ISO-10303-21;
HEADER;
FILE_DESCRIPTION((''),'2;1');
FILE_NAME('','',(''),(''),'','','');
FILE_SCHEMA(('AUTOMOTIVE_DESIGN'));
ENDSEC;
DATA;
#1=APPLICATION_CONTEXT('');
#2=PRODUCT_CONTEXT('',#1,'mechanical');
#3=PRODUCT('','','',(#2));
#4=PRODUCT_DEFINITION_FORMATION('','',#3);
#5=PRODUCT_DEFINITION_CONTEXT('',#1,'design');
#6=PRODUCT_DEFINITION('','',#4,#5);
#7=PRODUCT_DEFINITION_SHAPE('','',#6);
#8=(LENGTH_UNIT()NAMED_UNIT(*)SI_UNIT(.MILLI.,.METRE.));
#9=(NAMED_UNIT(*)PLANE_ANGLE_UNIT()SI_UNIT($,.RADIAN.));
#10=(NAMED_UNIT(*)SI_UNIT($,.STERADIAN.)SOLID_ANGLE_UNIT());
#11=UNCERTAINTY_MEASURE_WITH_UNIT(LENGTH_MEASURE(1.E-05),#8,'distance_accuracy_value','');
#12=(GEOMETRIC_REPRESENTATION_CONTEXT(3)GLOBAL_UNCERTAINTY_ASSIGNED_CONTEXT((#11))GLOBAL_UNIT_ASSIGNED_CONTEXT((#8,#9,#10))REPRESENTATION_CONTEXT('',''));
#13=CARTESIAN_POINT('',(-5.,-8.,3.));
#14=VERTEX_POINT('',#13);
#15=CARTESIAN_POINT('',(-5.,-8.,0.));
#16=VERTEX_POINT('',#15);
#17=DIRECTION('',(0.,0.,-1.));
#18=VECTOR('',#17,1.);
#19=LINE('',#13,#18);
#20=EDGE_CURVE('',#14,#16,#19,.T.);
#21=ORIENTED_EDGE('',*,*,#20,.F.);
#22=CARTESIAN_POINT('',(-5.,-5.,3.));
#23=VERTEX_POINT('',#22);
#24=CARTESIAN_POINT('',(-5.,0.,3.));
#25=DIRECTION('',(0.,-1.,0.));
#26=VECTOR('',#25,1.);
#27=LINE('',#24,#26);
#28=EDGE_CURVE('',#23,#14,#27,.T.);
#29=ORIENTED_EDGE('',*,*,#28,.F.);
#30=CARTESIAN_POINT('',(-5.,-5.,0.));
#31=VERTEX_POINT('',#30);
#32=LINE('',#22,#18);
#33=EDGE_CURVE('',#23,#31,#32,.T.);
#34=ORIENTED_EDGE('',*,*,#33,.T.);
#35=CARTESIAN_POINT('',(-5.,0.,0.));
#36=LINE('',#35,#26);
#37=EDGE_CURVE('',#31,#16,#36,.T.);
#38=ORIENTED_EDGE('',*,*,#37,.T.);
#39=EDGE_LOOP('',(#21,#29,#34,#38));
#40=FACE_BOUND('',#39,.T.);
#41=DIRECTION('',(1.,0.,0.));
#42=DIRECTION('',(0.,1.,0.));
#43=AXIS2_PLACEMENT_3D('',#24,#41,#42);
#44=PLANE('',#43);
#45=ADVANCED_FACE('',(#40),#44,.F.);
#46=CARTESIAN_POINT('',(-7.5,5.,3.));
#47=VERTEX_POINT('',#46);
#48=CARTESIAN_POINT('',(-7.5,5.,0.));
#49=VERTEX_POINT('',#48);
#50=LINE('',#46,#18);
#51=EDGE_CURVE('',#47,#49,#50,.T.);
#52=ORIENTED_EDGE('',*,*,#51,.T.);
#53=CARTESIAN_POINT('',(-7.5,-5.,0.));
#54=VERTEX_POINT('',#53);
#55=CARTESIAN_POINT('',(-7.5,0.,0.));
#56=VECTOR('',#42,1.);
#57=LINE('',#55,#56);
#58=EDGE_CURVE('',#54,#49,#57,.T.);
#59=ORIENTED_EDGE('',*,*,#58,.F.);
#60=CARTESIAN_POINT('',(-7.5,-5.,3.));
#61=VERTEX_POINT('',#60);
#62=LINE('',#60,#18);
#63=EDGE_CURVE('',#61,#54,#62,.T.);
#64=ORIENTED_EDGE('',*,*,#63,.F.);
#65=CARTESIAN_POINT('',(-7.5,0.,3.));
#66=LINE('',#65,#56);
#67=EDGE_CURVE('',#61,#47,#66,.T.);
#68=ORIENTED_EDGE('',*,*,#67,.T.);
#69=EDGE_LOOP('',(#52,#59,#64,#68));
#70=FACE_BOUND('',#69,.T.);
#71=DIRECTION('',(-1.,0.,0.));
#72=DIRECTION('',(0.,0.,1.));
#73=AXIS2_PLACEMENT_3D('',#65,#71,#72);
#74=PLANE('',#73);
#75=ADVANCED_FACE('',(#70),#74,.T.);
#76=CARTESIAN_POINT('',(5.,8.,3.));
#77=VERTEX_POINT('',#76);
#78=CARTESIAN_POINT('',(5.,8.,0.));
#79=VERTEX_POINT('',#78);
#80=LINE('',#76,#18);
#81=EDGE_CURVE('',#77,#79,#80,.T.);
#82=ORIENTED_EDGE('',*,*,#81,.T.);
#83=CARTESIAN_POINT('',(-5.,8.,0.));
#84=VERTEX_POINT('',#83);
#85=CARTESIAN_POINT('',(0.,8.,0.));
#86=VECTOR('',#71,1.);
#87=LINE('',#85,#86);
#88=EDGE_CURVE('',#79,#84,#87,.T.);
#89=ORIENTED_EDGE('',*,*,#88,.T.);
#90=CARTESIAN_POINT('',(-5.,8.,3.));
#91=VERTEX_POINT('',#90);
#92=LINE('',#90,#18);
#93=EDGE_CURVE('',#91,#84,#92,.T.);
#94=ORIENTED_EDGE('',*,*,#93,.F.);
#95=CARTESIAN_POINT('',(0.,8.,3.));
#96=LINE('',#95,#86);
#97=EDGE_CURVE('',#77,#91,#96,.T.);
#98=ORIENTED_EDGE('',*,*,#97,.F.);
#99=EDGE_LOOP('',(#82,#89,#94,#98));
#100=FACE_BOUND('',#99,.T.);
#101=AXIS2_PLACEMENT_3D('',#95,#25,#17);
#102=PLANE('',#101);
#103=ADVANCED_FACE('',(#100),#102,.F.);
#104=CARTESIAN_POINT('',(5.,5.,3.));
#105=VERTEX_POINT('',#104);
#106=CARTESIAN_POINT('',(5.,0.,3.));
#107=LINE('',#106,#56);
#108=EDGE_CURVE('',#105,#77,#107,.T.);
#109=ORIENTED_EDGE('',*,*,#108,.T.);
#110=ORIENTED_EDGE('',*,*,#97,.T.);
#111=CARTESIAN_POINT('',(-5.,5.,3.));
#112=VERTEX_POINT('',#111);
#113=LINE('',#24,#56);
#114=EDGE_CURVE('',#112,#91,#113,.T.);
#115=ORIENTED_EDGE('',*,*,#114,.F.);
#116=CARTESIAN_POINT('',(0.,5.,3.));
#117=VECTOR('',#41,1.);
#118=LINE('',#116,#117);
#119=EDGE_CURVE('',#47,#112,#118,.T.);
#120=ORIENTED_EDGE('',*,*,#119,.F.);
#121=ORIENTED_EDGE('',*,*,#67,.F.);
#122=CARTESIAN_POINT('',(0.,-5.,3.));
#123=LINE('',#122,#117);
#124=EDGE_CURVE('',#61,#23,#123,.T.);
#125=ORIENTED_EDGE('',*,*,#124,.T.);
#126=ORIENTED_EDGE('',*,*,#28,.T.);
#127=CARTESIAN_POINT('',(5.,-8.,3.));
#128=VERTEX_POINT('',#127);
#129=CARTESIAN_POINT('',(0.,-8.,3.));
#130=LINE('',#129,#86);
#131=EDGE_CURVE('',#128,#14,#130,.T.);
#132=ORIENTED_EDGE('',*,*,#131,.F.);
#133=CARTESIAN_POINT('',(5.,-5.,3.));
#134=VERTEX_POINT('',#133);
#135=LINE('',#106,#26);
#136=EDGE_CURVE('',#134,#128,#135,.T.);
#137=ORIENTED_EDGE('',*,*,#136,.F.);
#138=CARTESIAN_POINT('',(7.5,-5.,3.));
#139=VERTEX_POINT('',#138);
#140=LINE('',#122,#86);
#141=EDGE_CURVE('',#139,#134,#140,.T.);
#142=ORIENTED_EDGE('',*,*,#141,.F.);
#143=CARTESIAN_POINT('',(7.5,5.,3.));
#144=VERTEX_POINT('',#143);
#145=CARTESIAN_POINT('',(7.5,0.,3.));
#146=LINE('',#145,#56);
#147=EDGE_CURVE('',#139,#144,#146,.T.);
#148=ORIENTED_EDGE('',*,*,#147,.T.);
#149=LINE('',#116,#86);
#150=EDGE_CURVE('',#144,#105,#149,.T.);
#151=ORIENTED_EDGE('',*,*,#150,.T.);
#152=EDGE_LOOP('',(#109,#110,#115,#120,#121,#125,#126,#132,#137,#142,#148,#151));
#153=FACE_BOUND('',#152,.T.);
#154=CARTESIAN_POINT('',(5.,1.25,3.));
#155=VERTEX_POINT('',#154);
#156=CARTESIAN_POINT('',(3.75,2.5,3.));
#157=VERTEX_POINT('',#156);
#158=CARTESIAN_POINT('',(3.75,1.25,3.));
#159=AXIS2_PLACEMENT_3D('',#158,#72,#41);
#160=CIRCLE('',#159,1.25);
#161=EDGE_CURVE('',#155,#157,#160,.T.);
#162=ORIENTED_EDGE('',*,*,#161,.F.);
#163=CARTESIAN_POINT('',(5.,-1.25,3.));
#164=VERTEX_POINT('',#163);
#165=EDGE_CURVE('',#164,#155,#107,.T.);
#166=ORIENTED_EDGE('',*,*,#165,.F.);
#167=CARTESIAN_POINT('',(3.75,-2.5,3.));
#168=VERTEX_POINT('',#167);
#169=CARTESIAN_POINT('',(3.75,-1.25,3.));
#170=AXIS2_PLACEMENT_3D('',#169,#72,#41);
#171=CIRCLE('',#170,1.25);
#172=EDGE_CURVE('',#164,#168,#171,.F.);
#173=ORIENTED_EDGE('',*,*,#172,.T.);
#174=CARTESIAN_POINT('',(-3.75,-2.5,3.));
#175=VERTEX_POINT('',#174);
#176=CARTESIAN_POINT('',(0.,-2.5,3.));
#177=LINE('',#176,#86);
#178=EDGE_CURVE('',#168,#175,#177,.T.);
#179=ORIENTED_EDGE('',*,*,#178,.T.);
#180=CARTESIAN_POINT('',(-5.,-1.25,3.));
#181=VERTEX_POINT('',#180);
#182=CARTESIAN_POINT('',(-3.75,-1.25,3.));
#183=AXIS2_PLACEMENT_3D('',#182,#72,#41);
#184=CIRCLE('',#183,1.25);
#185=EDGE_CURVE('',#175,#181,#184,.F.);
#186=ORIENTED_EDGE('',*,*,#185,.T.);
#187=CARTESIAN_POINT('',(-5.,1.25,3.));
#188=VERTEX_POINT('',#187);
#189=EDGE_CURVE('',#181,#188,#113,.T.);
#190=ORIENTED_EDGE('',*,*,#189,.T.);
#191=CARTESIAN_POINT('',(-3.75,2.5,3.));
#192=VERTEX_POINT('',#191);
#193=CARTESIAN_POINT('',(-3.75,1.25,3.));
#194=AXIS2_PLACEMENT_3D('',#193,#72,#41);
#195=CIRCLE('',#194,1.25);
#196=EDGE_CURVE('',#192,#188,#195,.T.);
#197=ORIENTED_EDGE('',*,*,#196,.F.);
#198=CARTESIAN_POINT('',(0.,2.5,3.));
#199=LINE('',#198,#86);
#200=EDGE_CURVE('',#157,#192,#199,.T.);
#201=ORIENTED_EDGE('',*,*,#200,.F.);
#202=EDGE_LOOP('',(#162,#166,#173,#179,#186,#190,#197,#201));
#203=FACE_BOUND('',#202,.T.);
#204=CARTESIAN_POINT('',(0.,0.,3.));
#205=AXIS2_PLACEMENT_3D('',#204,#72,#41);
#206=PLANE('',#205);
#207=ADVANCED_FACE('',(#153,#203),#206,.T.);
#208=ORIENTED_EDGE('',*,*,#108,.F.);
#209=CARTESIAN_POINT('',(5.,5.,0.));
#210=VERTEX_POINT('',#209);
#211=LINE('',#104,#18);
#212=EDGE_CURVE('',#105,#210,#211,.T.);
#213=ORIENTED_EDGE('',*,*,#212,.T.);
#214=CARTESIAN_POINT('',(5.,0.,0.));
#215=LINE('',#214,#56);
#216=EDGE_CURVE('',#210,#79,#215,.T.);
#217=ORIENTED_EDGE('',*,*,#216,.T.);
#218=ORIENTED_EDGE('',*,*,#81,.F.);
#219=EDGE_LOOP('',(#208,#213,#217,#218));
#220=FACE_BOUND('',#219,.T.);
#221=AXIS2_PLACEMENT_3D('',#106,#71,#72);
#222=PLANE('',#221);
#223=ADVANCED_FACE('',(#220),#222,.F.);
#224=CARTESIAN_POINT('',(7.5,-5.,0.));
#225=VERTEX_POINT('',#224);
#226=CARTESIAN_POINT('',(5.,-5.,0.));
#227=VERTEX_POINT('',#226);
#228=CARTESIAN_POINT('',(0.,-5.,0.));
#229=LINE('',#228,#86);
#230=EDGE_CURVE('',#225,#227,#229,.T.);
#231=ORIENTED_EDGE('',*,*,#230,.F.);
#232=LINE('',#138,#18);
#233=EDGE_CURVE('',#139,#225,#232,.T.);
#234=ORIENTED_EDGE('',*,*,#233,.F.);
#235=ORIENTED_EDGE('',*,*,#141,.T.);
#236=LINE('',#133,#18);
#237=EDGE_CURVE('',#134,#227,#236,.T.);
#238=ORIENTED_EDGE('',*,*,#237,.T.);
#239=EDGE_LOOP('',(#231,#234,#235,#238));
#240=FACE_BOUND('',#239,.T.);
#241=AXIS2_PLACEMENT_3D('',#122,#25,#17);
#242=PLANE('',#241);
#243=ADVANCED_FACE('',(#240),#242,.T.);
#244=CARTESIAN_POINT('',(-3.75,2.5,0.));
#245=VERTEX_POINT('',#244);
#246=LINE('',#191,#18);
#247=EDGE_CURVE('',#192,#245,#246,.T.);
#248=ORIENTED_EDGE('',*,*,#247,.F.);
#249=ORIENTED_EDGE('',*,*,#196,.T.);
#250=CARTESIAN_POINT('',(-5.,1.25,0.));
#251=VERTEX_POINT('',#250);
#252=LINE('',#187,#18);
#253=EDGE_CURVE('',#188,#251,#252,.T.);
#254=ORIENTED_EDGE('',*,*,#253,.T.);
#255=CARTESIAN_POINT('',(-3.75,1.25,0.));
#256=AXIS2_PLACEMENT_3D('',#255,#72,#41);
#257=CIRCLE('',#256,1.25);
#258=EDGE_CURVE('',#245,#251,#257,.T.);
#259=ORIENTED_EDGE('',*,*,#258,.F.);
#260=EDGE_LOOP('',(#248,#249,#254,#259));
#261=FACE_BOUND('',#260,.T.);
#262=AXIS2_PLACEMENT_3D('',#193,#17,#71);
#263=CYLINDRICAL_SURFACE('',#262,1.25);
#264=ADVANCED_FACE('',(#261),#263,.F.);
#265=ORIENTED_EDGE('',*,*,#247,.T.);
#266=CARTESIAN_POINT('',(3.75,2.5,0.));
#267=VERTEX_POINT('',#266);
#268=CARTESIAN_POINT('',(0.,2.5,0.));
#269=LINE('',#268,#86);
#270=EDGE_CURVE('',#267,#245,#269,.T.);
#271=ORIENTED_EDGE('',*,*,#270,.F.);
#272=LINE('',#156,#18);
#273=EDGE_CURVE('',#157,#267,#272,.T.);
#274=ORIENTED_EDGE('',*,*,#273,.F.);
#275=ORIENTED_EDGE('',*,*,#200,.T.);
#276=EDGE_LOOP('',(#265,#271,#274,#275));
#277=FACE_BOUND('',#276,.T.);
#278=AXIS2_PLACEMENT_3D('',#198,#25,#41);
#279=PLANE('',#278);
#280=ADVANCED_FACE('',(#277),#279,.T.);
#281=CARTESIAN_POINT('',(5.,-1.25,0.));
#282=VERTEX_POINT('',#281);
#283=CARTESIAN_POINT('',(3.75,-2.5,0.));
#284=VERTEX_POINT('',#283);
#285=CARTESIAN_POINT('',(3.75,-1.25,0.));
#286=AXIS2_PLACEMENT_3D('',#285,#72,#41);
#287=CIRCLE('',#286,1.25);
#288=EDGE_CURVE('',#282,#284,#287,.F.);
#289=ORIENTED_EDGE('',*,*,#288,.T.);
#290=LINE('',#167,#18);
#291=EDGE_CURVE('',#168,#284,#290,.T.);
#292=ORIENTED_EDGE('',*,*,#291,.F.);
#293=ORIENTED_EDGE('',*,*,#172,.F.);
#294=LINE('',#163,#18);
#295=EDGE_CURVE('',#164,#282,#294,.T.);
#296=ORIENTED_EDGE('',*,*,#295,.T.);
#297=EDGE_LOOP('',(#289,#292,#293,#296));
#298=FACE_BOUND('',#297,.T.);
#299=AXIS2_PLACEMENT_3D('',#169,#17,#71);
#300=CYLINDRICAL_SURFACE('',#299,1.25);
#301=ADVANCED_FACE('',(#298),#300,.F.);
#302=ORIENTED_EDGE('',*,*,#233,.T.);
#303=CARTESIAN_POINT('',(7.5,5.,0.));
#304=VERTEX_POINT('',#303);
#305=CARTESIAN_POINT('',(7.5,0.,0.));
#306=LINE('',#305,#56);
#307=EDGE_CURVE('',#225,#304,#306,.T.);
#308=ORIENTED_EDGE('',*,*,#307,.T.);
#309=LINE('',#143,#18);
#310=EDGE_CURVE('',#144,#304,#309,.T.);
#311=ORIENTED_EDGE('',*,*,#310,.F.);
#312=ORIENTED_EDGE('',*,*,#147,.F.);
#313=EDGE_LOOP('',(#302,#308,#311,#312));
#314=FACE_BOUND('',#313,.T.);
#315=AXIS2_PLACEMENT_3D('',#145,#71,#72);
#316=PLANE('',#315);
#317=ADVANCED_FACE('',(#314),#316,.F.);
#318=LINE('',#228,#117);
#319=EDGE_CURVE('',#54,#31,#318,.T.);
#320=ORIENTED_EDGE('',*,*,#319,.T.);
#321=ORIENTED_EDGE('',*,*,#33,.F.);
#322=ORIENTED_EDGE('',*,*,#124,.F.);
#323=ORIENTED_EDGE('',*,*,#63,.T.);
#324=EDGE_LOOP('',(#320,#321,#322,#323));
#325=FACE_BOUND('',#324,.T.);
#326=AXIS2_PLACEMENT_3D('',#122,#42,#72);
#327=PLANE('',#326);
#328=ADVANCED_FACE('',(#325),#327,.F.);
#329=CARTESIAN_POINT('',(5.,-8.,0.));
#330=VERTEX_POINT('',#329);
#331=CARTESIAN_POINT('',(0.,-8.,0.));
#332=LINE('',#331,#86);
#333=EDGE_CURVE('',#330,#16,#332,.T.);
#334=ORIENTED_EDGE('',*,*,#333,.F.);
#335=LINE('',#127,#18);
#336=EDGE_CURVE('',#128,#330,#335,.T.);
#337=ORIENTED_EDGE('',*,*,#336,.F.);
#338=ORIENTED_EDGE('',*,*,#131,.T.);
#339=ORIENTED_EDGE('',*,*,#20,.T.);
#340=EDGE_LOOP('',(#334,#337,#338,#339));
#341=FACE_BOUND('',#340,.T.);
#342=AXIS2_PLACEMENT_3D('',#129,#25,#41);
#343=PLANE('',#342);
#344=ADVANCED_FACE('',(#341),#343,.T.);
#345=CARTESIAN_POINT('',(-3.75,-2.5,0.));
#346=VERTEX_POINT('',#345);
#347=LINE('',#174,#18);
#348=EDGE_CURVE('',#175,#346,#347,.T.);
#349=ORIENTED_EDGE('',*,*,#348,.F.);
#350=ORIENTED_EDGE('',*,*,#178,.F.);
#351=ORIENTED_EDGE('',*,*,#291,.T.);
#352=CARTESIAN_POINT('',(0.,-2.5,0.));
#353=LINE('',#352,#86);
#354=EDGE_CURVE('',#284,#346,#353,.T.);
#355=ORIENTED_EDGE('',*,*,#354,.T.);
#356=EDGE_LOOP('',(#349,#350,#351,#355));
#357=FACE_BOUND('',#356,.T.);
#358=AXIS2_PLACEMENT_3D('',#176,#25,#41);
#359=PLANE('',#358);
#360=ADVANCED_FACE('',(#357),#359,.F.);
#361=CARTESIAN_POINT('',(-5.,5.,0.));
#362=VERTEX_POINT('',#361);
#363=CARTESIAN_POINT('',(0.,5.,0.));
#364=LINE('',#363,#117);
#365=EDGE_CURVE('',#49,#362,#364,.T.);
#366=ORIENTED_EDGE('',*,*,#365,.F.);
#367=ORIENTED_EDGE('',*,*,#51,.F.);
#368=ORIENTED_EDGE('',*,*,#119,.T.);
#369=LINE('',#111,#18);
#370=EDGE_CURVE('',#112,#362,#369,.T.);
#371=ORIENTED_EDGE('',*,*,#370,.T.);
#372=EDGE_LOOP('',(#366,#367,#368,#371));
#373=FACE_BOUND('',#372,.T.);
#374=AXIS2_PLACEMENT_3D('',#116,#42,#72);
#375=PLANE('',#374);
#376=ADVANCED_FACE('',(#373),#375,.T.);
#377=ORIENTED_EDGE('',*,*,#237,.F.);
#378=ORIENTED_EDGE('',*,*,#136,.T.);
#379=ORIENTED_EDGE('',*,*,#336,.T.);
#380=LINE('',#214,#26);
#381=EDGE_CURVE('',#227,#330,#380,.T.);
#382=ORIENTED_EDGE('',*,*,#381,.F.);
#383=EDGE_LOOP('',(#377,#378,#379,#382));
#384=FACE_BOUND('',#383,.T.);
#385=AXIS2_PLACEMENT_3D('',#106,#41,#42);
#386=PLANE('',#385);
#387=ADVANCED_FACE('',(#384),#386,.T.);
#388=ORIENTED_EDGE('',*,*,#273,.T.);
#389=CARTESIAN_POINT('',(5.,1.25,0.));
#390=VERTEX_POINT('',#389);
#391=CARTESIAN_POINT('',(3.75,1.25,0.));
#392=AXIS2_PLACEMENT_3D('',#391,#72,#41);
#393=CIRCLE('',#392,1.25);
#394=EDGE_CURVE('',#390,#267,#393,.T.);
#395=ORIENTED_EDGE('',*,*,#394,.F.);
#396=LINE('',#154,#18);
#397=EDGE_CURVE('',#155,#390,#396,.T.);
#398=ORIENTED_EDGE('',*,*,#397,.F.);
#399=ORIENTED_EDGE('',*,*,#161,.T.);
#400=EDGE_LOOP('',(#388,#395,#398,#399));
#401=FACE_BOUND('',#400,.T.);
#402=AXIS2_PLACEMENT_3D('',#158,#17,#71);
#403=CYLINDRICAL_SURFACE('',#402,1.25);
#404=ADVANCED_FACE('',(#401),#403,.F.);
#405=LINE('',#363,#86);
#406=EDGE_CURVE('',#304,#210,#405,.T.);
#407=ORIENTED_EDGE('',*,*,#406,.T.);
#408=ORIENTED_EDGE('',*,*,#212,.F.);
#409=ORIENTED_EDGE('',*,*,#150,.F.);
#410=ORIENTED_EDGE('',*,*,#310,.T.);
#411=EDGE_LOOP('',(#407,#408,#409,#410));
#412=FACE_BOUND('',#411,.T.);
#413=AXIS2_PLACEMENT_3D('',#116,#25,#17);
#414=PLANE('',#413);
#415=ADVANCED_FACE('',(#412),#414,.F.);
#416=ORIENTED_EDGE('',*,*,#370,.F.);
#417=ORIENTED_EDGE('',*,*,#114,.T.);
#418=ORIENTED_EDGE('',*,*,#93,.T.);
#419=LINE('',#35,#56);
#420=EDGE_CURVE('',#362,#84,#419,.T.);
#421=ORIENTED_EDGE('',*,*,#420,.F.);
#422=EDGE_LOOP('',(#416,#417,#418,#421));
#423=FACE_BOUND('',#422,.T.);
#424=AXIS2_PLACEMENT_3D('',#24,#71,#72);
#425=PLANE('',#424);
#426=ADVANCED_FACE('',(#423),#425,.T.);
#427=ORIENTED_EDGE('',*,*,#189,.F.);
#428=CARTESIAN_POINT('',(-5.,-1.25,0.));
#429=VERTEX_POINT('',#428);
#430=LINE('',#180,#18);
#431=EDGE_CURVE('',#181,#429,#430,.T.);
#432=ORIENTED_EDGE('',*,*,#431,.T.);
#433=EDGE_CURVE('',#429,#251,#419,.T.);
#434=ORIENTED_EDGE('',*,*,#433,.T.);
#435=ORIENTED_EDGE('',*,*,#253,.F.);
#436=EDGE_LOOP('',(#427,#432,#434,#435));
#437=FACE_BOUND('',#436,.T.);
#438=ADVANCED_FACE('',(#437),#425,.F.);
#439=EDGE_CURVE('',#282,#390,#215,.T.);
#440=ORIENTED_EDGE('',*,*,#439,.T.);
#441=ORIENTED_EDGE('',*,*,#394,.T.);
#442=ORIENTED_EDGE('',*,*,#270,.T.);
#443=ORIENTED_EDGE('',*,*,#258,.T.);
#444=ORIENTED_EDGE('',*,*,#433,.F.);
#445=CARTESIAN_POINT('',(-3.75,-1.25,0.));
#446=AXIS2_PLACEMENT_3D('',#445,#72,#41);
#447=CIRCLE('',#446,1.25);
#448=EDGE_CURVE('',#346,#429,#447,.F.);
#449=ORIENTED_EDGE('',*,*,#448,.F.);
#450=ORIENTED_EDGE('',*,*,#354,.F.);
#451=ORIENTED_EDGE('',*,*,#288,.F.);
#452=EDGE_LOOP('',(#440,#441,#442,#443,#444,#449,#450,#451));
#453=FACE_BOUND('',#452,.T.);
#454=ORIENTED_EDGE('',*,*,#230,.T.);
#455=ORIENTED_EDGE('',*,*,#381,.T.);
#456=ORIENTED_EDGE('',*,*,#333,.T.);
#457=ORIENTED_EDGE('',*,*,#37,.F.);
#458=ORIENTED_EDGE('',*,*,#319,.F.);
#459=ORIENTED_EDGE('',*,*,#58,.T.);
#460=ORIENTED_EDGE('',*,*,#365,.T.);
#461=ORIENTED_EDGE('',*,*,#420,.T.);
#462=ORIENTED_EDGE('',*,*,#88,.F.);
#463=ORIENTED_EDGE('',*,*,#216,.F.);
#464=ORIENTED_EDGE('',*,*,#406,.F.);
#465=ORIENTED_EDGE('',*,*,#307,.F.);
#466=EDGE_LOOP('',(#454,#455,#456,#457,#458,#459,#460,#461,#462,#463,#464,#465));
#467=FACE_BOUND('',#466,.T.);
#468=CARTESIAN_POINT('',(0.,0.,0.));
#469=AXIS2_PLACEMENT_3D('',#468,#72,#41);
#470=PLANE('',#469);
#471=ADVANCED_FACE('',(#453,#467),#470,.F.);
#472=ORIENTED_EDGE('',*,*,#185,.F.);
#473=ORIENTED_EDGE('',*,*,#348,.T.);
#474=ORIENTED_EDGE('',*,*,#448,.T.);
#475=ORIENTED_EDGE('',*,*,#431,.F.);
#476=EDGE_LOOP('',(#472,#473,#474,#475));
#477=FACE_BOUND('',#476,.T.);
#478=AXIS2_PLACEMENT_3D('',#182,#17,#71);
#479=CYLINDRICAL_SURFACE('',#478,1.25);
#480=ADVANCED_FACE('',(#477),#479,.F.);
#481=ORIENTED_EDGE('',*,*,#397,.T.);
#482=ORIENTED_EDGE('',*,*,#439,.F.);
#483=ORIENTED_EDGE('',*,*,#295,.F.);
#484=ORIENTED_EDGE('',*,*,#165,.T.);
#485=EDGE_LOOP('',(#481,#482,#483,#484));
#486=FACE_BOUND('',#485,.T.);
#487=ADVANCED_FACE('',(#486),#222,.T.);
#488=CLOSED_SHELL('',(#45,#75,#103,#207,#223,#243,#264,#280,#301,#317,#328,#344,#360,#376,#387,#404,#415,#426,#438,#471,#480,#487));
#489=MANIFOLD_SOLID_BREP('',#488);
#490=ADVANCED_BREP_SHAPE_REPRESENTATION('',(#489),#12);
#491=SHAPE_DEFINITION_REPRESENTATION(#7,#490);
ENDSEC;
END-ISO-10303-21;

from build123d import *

# Parameters (mm, degrees)
SALIENTE_EXTRUIR1_DEPTH = 3


with BuildPart() as part:
    # Croquis1 → Saliente-Extruir1 (new body)
    with BuildSketch(Plane.XY):
        Polygon((-5, -8), (5, -8), (5, -5), (7.5, -5), (7.5, 5), (5, 5), (5, 8), (-5, 8), (-5, 5), (-7.5, 5), (-7.5, -5), (-5, -5), align=None)
        with BuildLine():
            ThreePointArc((5, -1.25), (4.633883476, -2.133883476), (3.75, -2.5))
            Line((3.75, -2.5), (-3.75, -2.5))
            ThreePointArc((-3.75, -2.5), (-4.633883476, -2.133883476), (-5, -1.25))
            Line((-5, -1.25), (-5, 1.25))
            ThreePointArc((-5, 1.25), (-4.633883476, 2.133883476), (-3.75, 2.5))
            Line((-3.75, 2.5), (3.75, 2.5))
            ThreePointArc((3.75, 2.5), (4.633883476, 2.133883476), (5, 1.25))
            Line((5, 1.25), (5, -1.25))
        make_face(mode=Mode.SUBTRACT)
    extrude(amount=SALIENTE_EXTRUIR1_DEPTH)


solid = part.part
